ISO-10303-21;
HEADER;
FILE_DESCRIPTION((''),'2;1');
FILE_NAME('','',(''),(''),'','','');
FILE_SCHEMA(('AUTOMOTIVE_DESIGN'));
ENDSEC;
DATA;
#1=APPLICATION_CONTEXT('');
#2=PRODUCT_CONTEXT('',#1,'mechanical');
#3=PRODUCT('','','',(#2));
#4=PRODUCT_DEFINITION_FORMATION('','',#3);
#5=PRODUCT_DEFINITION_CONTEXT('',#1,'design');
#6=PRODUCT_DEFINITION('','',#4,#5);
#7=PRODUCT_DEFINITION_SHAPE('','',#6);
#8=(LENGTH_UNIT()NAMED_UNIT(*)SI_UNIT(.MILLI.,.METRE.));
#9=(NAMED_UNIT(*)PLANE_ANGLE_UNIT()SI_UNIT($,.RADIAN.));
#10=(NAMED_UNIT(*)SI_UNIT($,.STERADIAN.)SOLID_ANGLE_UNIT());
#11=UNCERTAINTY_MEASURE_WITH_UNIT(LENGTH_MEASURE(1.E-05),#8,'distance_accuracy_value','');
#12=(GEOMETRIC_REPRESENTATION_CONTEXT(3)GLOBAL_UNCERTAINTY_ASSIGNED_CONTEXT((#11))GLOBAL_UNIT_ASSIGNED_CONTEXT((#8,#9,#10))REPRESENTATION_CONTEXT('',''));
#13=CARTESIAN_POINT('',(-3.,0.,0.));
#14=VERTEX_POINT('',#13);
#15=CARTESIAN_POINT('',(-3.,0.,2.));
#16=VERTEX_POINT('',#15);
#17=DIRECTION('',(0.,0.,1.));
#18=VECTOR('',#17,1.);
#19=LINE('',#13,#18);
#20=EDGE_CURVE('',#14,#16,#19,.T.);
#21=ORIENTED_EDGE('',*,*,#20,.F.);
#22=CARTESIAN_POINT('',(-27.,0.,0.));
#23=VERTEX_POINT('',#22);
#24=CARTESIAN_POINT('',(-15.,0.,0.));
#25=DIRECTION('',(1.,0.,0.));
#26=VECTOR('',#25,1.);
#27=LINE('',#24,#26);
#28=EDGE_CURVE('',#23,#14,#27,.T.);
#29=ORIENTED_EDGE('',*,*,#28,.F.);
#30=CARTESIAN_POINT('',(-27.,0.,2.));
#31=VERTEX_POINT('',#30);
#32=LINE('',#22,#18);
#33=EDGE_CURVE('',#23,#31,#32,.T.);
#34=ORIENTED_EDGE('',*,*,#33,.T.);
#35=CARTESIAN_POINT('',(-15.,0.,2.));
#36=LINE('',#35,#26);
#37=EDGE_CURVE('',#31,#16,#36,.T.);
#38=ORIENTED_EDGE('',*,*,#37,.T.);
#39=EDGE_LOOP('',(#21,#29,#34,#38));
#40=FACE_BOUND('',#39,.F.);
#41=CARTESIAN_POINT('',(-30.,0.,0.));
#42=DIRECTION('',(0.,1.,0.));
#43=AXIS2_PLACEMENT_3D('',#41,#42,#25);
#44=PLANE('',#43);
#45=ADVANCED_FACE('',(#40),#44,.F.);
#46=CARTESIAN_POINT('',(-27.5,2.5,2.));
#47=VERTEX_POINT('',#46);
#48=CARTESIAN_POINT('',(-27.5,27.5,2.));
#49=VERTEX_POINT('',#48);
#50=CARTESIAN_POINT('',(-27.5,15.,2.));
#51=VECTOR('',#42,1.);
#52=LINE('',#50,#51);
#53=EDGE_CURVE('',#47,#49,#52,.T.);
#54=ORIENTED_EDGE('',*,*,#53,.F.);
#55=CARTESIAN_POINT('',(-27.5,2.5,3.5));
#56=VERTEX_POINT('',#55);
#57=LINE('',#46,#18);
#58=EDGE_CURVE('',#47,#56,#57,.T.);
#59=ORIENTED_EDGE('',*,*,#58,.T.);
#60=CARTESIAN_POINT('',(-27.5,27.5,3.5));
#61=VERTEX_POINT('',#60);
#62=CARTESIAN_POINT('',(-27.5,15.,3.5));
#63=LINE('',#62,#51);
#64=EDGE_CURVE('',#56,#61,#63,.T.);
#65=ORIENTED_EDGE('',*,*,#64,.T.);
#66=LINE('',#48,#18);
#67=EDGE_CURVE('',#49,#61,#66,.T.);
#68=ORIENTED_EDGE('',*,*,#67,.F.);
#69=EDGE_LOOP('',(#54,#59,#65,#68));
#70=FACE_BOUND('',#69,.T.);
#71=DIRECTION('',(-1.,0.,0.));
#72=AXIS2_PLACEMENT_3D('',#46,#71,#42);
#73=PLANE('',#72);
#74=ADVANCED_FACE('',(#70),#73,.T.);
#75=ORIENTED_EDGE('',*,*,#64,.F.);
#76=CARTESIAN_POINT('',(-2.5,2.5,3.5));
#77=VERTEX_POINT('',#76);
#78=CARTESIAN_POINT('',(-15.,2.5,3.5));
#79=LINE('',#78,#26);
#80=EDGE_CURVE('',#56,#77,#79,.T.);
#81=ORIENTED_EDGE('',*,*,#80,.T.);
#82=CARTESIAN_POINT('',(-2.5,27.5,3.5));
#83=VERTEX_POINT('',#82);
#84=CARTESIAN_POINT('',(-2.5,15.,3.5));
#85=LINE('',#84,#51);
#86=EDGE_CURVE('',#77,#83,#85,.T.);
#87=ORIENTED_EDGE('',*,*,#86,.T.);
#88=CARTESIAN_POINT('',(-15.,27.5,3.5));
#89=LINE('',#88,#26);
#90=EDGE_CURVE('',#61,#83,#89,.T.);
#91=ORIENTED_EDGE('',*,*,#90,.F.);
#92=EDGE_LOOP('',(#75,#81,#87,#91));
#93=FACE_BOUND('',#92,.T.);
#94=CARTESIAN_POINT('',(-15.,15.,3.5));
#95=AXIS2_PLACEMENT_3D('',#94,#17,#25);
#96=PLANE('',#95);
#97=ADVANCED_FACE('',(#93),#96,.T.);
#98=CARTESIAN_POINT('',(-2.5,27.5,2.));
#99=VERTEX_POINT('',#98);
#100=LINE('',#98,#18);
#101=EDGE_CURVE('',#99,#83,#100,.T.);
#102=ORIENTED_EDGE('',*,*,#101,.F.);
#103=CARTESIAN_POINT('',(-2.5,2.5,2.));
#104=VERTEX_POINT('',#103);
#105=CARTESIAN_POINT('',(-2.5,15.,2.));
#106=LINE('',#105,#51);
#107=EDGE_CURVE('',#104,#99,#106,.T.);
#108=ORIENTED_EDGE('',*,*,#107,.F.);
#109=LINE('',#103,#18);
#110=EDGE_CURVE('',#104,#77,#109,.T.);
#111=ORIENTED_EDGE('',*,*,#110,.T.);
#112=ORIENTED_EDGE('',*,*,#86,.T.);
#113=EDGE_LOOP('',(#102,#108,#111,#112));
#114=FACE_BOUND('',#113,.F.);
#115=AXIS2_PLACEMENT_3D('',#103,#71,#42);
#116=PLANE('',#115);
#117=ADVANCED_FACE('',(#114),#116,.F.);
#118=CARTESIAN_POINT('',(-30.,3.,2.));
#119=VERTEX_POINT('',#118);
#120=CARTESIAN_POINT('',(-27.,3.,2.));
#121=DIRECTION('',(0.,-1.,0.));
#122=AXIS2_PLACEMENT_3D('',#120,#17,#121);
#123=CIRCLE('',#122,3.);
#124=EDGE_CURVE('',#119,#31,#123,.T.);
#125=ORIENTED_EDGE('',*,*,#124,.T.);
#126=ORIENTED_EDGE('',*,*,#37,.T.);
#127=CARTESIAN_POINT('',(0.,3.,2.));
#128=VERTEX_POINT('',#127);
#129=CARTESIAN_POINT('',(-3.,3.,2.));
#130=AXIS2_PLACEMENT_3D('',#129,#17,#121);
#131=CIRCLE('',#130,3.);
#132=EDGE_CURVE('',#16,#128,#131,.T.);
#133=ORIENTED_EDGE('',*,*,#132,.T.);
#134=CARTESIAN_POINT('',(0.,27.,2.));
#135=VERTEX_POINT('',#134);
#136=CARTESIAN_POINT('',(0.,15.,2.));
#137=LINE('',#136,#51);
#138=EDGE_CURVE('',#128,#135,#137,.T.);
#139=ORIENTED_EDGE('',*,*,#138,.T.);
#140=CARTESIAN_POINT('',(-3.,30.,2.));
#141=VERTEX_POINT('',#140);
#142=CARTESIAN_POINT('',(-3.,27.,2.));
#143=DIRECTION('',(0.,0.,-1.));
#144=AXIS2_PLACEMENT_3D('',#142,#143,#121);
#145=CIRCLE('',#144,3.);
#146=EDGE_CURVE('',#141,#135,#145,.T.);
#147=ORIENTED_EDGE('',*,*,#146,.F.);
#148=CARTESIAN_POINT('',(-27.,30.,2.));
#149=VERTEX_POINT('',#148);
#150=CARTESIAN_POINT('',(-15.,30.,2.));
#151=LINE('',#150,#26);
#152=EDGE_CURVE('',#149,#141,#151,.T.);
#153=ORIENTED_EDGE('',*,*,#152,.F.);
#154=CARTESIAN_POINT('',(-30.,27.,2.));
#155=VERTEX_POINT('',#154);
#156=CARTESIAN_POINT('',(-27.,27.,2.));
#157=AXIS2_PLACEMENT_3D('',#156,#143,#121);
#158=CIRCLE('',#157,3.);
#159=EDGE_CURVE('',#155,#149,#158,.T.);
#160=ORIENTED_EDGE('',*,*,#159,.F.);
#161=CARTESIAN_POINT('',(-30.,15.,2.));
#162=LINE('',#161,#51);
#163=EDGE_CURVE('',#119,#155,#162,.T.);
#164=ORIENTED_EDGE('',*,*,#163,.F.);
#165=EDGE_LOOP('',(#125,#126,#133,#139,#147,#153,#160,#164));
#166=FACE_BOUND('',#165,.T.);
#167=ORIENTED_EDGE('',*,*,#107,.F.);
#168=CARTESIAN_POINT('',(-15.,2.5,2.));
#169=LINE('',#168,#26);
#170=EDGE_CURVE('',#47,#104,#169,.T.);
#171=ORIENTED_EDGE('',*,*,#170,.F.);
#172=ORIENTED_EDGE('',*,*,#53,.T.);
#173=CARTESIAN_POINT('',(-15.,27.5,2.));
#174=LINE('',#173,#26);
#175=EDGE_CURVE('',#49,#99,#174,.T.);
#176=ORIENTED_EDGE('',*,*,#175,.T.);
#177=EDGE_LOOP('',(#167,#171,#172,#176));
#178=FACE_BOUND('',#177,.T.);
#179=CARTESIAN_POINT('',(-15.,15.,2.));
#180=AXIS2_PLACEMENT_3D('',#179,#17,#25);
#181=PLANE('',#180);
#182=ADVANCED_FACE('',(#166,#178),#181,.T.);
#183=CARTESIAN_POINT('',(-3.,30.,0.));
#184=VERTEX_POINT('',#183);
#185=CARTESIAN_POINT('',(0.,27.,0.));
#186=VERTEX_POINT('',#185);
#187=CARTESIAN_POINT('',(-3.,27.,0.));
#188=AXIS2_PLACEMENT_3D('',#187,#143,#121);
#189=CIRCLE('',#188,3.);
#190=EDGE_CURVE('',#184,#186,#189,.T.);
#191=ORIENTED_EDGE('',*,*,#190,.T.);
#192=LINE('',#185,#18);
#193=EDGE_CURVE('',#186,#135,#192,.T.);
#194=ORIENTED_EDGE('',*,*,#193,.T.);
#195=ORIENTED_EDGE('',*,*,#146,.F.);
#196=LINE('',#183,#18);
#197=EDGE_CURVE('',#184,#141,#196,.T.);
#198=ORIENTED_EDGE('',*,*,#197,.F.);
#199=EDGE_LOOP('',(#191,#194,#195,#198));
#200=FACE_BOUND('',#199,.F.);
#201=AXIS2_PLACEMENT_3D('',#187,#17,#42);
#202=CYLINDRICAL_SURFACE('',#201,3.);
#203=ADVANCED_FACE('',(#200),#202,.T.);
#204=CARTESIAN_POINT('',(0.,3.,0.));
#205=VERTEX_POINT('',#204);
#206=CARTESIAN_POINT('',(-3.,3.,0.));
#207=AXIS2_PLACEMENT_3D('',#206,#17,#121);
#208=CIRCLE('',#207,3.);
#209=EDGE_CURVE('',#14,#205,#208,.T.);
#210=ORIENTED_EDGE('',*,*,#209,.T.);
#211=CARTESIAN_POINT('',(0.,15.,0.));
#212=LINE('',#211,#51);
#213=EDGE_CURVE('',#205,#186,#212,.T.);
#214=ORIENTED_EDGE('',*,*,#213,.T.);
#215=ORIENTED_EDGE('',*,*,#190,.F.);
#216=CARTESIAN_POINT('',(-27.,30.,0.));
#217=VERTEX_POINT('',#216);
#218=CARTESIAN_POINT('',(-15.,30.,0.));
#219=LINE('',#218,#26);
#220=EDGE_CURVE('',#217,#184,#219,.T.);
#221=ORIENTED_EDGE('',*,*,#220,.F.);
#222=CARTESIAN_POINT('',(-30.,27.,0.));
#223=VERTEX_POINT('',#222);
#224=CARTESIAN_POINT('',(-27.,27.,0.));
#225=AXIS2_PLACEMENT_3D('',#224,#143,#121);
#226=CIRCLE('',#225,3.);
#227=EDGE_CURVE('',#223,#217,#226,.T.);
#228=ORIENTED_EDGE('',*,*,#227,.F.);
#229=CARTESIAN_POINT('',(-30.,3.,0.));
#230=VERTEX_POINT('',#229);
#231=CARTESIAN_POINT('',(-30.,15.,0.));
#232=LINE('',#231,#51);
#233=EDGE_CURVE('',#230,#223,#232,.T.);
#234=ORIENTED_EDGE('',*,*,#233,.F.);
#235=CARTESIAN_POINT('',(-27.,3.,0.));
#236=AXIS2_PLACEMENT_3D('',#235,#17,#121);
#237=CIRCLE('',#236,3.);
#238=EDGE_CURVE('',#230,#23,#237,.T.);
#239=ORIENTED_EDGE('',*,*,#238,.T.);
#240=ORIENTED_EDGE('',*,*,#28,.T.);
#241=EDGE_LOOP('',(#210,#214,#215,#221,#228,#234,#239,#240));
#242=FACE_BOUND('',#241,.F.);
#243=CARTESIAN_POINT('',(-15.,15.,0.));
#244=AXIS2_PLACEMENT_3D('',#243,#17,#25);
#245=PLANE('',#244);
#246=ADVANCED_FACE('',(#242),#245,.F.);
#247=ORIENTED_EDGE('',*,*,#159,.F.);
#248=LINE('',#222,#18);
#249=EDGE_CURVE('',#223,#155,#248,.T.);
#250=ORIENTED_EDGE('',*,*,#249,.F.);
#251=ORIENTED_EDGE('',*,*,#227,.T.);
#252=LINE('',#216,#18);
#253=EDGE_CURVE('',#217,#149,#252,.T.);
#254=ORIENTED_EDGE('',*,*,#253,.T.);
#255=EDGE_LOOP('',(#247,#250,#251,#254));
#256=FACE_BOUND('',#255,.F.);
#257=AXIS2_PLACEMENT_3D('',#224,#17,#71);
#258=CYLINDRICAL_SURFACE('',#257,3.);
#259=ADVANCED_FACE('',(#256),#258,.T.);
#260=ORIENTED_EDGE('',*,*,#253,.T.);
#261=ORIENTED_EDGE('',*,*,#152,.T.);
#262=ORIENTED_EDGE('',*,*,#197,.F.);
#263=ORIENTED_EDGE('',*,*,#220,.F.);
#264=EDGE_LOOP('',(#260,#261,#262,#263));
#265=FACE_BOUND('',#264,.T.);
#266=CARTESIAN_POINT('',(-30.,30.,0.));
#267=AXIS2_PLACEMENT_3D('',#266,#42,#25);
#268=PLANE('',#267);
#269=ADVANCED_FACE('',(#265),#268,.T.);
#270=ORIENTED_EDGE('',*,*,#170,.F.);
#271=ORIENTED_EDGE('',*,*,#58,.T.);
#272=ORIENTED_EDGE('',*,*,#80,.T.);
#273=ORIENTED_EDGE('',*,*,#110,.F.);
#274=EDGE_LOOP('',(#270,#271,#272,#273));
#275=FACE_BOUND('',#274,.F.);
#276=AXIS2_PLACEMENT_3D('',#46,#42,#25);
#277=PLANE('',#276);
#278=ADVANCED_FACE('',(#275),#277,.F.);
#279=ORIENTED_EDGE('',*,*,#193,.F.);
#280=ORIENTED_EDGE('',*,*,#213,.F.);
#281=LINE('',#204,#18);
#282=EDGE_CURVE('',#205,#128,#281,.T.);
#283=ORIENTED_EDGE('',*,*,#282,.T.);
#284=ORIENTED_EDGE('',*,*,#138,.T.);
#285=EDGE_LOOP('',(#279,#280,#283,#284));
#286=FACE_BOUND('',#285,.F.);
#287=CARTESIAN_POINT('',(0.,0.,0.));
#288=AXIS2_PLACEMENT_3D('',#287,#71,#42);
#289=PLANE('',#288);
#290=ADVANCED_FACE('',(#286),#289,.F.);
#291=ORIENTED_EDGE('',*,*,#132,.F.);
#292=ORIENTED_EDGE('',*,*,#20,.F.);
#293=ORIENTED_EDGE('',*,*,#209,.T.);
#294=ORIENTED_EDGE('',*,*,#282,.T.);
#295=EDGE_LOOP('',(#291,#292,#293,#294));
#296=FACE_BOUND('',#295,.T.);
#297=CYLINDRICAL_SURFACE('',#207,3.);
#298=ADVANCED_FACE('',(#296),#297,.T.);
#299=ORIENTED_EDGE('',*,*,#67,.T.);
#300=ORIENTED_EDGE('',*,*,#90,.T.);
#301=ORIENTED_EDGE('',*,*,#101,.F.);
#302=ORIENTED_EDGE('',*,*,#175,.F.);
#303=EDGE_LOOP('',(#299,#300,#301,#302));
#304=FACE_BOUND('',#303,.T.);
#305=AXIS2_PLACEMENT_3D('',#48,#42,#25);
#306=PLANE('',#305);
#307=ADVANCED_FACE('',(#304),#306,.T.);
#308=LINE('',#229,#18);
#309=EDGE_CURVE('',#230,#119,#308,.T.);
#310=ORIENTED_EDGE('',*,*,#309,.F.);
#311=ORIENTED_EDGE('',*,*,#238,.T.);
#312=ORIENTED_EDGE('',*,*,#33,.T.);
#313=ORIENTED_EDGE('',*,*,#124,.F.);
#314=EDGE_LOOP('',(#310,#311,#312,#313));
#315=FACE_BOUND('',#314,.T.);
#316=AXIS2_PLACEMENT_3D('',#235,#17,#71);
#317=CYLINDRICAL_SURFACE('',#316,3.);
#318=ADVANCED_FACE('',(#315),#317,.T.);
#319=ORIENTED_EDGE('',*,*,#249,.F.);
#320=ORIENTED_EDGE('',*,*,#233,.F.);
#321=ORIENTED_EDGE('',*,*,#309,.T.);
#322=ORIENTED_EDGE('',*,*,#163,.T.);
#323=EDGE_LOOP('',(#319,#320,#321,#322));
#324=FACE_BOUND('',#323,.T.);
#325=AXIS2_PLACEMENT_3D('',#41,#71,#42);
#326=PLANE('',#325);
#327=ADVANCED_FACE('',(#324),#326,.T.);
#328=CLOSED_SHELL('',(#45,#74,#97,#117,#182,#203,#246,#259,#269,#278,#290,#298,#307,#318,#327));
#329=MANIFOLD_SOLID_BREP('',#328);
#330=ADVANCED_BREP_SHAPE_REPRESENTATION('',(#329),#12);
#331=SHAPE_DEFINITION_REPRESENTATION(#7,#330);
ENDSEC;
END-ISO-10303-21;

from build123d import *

# Parameters (mm, degrees)
SKETCH_W     = 30
SKETCH_H     = 30
PAD_DEPTH    = 2
SKETCH001_W  = 25
SKETCH001_H  = 25
PAD001_DEPTH = 1.5
FILLET_R     = 3


with BuildPart() as part:
    # Sketch → Pad (new body)
    with BuildSketch(Plane.XY):
        with Locations((-15, 15)):
            Rectangle(SKETCH_W, SKETCH_H)
    extrude(amount=PAD_DEPTH)

    # Sketch001 (on Face6 of Pad) → Pad001 (join)
    with BuildSketch(Plane.XY.offset(2)):
        with Locations((-15, 15)):
            Rectangle(SKETCH001_W, SKETCH001_H)
    extrude(amount=PAD001_DEPTH)

    # Fillet
    fillet_edges = [part.edges().sort_by_distance(p)[0] for p in [
        (-30, 0, 1),
        (0, 0, 1),
        (0, 30, 1),
        (-30, 30, 1),
    ]]
    fillet(fillet_edges, radius=FILLET_R)


solid = part.part
